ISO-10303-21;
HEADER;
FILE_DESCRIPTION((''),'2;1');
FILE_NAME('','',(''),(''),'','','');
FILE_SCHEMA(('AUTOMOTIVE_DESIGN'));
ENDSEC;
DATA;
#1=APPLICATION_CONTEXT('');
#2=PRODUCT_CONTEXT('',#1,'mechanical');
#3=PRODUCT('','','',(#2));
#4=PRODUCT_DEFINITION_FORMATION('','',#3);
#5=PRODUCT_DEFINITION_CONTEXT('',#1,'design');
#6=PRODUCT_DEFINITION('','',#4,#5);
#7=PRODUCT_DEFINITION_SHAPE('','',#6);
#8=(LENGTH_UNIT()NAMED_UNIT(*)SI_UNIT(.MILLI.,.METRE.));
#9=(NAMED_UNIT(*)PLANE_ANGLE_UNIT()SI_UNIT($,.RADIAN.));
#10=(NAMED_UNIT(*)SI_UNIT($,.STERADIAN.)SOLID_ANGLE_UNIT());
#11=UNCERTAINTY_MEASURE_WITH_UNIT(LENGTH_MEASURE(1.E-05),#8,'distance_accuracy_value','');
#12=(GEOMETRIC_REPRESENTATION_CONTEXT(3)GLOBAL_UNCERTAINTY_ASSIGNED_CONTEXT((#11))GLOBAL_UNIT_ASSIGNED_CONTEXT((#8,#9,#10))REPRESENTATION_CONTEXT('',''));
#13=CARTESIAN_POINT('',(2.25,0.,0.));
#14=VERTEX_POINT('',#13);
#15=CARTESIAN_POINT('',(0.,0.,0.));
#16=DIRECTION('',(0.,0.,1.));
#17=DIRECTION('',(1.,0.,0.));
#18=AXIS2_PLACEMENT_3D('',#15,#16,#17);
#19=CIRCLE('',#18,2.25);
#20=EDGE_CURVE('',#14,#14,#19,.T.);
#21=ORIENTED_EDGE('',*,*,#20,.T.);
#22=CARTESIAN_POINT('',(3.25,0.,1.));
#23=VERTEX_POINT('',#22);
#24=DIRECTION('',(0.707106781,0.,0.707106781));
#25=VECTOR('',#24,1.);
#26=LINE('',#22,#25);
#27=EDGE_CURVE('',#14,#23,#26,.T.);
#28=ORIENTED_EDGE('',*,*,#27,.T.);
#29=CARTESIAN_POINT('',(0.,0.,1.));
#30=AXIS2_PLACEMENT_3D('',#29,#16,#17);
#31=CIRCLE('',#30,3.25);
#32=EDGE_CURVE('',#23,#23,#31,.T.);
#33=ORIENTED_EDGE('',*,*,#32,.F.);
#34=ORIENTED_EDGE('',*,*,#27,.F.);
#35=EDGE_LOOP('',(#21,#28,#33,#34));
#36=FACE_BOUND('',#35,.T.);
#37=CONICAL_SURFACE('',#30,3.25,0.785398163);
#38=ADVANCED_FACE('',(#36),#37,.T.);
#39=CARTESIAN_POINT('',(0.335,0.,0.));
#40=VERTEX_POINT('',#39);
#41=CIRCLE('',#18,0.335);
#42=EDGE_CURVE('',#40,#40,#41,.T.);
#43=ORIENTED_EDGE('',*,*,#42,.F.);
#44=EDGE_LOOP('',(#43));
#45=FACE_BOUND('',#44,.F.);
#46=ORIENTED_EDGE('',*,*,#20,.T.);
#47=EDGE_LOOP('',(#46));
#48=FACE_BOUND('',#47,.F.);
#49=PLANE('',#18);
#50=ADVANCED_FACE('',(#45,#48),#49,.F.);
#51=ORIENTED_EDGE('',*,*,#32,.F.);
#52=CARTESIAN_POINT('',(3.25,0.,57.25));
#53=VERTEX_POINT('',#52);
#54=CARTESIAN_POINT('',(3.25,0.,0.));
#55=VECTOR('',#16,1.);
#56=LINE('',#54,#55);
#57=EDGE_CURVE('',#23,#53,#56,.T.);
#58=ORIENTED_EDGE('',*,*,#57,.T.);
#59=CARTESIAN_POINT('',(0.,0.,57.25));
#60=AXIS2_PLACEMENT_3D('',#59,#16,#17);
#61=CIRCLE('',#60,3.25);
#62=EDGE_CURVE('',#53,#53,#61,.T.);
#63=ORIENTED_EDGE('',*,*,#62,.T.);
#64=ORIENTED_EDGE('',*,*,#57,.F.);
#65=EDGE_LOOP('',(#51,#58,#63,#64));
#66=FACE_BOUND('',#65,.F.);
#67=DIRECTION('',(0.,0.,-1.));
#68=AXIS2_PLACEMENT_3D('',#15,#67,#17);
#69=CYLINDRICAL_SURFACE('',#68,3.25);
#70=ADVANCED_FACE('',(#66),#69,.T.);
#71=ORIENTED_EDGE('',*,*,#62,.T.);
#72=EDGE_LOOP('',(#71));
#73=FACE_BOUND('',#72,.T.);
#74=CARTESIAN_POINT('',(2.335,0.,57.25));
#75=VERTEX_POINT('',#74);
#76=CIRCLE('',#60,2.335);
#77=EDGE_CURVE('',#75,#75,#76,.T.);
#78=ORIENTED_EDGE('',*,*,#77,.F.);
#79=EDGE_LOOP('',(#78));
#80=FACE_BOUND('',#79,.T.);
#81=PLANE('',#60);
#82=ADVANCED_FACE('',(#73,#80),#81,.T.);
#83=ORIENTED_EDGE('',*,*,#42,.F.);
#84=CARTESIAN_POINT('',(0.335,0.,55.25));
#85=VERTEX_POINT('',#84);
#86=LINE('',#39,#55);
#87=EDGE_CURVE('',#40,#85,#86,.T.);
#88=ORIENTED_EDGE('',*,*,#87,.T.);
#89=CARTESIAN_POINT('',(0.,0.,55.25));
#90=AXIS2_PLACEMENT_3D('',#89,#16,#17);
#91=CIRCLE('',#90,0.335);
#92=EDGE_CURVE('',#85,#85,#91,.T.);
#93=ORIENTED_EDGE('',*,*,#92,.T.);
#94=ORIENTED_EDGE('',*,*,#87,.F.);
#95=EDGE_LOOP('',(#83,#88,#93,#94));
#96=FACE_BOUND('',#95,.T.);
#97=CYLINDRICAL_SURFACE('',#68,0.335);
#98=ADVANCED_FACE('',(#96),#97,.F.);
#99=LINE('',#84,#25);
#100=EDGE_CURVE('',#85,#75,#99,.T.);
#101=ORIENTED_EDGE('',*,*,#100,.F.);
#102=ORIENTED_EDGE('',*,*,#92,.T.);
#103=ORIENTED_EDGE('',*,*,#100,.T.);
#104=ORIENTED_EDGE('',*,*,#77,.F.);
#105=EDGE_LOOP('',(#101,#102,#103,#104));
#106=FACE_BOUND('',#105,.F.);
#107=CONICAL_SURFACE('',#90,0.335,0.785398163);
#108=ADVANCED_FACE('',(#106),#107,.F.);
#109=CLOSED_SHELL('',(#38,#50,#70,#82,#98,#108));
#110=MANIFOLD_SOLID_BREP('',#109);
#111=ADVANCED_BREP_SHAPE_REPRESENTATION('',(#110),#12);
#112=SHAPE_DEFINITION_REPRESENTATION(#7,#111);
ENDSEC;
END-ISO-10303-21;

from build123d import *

# Parameters (mm, degrees)
F0_R     = 3.25
F0_R_2   = 0.335
F1_DEPTH = 57.25
F2_SIZE  = 2
F3_SIZE  = 1


with BuildPart() as f1:
    # F0 (on Top) → F1 (new body)
    with BuildSketch(Plane.XY):
        Circle(F0_R)
        Circle(F0_R_2, mode=Mode.SUBTRACT)
    extrude(amount=F1_DEPTH)

    # F2
    f2_edges = [f1.edges().sort_by_distance(p)[0] for p in [
        (-0.335, 0, 57.25),
    ]]
    chamfer(f2_edges, length=F2_SIZE)

    # F3
    f3_edges = [f1.edges().sort_by_distance(p)[0] for p in [
        (-3.25, 0, 0),
    ]]
    chamfer(f3_edges, length=F3_SIZE)


solid = f1.part
